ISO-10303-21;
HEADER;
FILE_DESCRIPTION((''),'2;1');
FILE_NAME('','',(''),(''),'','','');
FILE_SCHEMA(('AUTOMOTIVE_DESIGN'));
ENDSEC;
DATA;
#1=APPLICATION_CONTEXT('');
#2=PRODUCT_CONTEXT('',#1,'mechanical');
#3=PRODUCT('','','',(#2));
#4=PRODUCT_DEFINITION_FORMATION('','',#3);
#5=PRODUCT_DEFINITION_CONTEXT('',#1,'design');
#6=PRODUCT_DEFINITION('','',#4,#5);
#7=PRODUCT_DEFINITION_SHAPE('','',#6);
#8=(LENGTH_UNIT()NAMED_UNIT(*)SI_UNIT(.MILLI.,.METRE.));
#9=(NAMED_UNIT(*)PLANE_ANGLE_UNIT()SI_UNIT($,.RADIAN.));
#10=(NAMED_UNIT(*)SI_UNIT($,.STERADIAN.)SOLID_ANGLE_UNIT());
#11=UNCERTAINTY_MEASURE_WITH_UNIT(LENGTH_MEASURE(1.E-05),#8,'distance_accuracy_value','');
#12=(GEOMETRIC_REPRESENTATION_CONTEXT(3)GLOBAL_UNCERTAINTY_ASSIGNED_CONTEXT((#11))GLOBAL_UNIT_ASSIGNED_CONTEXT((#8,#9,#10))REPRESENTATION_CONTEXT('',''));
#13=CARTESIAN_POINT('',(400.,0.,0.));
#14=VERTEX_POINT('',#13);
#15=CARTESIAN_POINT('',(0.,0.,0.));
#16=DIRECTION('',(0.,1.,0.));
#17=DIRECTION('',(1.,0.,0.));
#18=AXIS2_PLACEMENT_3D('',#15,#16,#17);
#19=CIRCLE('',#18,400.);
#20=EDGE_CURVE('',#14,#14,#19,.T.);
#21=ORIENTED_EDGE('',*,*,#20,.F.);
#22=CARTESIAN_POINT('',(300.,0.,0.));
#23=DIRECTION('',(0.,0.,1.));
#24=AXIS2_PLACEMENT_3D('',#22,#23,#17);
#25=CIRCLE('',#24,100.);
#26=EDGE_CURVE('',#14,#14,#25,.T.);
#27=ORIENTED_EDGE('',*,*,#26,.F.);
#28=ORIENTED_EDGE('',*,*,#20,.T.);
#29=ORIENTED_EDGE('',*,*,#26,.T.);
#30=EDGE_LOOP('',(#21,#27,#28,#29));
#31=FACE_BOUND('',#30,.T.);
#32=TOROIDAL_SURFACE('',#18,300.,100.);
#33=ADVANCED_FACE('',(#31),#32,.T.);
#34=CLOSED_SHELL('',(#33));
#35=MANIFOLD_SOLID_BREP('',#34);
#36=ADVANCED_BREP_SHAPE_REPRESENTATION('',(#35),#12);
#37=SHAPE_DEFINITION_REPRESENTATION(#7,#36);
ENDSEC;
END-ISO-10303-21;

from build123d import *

# Parameters (mm, degrees)
F0_R = 100


with BuildPart() as f2:
    # F0 (on Top) → F2 (revolve)
    with BuildSketch(Plane.XY):
        with Locations((300, 0)):
            Circle(F0_R)
    revolve(axis=Axis((0, 79.953991, 0), (0, 1, 0)))


solid = f2.part
